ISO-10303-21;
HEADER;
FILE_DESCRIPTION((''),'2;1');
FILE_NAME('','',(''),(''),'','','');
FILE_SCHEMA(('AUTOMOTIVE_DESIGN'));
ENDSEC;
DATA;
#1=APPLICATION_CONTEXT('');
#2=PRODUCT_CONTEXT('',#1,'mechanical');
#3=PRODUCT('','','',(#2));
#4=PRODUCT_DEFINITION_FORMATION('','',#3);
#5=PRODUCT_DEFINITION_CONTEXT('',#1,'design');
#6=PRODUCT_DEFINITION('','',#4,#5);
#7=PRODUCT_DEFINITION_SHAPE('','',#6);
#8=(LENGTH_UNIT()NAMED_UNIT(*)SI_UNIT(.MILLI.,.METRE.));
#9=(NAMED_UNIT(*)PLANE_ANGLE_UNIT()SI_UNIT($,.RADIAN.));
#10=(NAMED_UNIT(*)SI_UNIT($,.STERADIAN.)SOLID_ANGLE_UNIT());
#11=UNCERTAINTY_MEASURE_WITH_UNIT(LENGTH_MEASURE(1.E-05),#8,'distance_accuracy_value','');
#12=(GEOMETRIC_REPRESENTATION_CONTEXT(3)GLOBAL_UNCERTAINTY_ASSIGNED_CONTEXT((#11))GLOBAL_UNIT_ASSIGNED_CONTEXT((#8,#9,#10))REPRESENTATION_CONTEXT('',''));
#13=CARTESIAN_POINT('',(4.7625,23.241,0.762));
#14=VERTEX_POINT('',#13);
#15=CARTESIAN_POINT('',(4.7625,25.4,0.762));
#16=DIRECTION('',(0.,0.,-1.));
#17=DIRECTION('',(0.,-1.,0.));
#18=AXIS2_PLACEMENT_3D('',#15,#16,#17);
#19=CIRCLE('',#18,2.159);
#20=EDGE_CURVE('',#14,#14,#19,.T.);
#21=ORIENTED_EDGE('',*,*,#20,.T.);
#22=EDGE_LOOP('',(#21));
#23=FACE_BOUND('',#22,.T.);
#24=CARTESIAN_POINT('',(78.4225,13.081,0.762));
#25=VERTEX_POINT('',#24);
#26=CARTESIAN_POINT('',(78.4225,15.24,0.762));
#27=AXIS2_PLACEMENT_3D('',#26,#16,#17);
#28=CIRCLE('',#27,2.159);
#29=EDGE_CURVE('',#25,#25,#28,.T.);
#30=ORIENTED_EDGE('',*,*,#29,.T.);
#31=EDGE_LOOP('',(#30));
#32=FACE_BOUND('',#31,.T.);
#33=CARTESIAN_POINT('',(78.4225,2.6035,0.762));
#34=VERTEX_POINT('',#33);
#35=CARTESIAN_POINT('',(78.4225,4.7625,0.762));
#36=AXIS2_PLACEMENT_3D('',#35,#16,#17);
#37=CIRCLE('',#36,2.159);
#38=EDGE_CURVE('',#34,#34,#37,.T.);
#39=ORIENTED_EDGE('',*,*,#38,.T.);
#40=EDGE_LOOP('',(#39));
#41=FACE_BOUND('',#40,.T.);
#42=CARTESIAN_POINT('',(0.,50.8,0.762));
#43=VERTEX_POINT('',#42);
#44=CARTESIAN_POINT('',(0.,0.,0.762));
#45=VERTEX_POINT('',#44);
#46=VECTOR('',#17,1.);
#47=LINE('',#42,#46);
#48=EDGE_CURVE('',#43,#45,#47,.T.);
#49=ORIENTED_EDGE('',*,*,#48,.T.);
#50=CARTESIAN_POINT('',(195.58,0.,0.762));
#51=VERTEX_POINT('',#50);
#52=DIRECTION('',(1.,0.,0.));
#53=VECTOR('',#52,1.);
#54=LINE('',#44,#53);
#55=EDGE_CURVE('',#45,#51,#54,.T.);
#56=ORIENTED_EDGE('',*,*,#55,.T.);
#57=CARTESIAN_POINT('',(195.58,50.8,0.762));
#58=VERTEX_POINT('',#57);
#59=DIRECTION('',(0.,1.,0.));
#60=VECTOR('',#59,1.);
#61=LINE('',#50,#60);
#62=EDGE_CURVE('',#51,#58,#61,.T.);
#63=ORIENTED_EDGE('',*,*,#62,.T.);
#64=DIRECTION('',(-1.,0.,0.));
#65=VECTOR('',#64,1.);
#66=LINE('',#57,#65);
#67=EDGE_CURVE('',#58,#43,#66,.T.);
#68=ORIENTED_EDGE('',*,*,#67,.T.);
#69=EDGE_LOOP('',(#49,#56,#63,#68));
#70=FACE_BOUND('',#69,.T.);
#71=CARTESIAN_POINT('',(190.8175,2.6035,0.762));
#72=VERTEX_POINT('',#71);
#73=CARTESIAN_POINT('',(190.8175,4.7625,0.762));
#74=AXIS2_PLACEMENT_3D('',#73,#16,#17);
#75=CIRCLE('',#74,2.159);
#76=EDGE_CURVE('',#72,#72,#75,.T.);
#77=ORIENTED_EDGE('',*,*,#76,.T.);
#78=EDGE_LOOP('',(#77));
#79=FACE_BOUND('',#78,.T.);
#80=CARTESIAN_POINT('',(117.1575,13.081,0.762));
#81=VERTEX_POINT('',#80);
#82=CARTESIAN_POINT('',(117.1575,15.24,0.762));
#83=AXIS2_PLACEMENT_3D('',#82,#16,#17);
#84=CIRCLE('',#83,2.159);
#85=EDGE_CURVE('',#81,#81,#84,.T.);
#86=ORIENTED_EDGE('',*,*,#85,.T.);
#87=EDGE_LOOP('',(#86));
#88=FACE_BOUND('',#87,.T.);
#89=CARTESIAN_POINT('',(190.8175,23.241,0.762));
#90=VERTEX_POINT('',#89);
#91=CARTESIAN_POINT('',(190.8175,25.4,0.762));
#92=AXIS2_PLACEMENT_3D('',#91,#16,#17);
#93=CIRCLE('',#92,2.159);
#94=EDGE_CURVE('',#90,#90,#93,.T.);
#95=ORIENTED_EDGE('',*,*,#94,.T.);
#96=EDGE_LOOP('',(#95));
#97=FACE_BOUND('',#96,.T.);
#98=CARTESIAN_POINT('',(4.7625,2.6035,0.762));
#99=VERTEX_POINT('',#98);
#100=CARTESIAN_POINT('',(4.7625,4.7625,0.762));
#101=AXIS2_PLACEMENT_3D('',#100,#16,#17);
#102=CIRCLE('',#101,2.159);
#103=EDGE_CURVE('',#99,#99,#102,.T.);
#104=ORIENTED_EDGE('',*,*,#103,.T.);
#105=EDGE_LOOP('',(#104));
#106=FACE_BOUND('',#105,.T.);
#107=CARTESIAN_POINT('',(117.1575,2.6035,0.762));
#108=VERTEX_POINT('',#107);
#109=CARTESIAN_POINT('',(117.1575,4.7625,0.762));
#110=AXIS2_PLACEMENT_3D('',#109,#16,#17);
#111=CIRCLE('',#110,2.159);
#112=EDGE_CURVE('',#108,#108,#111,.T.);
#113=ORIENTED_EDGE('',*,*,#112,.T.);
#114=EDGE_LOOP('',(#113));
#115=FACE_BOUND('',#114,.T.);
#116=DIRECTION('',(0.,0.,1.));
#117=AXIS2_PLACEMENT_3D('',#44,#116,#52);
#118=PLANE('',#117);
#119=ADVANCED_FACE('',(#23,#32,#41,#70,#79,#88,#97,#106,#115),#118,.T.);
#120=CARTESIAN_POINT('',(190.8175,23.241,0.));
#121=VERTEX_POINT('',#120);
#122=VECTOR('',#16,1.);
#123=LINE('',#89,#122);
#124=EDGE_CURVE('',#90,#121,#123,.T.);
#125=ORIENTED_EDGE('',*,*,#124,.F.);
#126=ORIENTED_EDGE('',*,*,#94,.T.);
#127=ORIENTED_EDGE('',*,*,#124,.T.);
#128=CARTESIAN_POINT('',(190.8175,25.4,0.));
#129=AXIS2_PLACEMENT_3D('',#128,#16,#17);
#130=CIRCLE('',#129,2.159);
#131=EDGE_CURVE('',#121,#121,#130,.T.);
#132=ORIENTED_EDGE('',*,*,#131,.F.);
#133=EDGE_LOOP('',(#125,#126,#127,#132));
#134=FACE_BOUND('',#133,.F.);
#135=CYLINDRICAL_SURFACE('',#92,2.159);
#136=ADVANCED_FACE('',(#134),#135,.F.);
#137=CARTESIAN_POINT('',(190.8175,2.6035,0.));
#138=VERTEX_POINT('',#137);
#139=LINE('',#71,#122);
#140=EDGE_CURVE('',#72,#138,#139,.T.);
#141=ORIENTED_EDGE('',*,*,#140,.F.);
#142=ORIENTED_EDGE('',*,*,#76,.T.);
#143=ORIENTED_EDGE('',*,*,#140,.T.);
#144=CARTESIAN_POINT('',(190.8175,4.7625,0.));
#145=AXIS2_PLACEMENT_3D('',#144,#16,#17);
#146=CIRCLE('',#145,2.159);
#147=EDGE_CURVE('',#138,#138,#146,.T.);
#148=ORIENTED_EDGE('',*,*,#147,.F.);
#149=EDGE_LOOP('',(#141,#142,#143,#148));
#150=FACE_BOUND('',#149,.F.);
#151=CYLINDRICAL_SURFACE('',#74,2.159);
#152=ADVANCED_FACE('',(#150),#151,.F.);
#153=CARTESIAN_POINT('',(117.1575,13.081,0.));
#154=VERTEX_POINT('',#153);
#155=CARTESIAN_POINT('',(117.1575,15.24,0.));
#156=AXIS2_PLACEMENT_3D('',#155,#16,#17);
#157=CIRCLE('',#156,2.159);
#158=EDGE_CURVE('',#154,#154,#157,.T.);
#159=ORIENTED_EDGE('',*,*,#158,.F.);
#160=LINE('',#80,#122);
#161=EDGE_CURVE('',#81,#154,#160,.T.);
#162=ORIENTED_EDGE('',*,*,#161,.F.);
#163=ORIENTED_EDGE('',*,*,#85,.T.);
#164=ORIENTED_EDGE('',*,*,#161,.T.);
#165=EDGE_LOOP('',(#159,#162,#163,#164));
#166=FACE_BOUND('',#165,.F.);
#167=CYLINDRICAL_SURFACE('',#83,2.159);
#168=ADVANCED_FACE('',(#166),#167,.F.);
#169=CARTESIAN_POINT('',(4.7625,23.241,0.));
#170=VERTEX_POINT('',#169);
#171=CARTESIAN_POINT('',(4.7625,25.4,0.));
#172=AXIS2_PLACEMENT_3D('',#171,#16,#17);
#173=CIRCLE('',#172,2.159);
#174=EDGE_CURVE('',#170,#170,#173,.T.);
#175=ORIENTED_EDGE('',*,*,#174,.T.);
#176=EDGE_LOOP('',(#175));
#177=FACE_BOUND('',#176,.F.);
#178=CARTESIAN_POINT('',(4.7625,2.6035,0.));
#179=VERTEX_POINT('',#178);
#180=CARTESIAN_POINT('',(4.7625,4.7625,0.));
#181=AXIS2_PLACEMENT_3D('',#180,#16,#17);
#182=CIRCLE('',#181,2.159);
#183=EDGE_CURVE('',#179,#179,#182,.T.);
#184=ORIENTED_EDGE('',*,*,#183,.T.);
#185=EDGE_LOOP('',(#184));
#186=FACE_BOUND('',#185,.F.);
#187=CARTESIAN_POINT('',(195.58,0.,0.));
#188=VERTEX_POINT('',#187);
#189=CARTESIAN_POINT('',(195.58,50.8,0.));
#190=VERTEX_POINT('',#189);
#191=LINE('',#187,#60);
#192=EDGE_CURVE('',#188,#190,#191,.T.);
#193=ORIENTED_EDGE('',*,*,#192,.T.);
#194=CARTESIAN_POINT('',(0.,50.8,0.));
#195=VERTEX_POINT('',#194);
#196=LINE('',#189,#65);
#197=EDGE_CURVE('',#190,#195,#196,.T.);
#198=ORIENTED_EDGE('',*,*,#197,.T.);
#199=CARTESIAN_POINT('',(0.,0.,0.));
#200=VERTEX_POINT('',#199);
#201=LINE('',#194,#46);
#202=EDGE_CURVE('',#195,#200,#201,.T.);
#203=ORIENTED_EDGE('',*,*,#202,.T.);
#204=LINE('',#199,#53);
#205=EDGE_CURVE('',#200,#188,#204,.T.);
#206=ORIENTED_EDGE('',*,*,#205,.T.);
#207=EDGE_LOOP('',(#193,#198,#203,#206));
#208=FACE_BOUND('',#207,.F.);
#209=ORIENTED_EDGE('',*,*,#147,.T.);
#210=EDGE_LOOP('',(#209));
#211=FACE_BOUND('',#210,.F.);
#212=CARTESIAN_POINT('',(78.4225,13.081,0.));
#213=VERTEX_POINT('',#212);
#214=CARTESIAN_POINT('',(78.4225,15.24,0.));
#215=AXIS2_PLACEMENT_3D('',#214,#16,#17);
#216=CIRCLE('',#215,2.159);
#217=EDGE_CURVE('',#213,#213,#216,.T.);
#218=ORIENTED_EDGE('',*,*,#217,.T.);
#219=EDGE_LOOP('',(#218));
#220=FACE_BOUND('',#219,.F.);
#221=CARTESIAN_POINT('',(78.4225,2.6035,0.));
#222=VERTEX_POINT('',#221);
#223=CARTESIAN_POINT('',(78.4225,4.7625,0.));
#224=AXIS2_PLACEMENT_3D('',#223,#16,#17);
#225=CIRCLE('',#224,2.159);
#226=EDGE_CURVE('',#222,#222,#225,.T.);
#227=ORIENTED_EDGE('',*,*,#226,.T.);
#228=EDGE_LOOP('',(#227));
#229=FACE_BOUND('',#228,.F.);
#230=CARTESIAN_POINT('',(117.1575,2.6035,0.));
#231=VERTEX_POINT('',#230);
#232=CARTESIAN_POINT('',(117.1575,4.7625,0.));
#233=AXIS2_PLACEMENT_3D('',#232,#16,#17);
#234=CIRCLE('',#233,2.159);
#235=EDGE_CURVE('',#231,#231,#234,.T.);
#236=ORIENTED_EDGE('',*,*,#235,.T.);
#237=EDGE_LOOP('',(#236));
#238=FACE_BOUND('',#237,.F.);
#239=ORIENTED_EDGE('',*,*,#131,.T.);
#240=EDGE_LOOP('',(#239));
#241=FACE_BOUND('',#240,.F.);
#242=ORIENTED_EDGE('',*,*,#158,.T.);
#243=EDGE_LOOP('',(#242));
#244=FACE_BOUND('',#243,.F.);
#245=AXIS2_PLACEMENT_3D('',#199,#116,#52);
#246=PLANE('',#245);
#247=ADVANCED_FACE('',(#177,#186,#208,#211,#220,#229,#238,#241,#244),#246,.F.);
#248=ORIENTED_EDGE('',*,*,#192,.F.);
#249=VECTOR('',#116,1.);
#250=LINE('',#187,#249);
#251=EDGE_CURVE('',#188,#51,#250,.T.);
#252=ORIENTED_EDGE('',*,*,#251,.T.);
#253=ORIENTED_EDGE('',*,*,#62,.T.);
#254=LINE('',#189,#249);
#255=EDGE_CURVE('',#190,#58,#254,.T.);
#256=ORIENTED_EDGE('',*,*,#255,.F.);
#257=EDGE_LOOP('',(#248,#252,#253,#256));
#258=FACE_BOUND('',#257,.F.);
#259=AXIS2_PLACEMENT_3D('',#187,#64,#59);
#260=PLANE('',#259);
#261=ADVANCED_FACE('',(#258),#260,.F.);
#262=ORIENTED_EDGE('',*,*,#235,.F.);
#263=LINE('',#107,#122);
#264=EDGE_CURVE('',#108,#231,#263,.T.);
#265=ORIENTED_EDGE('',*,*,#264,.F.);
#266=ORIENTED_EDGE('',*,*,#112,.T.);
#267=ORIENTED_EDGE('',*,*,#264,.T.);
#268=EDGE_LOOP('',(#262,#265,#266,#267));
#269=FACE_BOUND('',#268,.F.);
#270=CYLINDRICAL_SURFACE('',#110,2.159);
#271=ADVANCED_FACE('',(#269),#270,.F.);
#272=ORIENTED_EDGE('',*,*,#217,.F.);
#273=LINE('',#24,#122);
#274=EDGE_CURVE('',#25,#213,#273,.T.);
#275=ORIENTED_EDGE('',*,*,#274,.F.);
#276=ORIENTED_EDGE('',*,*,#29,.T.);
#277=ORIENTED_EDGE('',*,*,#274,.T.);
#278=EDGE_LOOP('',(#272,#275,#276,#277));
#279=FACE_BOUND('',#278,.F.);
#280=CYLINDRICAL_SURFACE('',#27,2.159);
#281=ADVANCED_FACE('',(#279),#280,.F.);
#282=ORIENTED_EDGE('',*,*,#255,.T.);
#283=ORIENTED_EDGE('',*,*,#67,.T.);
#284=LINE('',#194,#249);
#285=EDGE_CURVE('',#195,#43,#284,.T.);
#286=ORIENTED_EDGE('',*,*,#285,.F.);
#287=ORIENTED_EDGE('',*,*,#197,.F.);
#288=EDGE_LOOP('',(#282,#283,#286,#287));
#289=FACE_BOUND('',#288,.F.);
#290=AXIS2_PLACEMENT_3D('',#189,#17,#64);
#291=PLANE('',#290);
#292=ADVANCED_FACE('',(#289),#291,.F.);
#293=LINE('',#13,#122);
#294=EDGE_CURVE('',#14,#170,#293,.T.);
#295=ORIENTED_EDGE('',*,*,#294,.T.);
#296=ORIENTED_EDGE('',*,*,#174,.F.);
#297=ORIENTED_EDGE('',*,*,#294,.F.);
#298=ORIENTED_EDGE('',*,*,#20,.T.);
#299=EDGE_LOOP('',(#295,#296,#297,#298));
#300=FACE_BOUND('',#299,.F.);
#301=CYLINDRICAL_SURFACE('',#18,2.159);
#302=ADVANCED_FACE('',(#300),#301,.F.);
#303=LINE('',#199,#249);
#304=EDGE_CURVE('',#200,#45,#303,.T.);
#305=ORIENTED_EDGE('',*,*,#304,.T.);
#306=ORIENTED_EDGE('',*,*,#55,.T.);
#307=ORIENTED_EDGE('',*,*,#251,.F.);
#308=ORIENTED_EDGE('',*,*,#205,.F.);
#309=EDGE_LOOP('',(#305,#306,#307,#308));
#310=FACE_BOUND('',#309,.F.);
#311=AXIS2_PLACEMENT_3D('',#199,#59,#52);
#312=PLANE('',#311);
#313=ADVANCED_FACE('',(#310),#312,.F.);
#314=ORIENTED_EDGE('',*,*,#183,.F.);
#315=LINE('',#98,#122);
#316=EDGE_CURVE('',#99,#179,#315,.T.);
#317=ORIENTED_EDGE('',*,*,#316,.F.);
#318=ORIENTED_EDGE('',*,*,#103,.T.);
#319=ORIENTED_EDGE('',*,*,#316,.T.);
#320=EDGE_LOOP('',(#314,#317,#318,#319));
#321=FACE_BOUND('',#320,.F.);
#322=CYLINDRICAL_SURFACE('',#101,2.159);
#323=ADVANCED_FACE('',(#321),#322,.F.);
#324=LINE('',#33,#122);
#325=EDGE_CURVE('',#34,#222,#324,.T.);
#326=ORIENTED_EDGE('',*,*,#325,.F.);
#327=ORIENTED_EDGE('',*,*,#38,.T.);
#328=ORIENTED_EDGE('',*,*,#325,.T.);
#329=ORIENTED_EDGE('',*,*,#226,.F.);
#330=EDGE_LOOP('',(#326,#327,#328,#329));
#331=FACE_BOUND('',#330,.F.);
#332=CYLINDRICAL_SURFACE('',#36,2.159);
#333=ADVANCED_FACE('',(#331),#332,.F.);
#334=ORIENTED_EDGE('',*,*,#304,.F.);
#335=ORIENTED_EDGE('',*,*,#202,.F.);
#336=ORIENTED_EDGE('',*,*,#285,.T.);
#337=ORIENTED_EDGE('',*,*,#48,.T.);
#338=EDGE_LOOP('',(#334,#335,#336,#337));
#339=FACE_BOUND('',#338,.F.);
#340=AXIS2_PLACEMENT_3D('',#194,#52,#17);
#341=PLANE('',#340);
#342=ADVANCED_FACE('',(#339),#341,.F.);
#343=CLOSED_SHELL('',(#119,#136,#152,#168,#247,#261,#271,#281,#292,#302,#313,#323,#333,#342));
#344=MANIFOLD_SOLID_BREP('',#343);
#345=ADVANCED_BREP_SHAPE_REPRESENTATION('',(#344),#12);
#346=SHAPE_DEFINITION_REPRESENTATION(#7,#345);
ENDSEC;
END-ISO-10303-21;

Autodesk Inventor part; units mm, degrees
ref_plane "YZ Plane" through (0, 0, 0) normal (1, 0, 0) x (0, 1, 0)
ref_plane "XZ Plane" through (0, 0, 0) normal (0, 1, 0) x (-1, 0, 0)
ref_plane "XY Plane" through (0, 0, 0) normal (0, 0, 1) x (1, 0, 0)
sketch "Sketch1" plane through (0, 0, 0) normal (0, 0, 1) x (1, 0, 0)
  line L0 (0, 0) -> (195.58, 0)
  line L1 (195.58, 0) -> (195.58, 50.8)
  line L2 (195.58, 50.8) -> (0, 50.8)
  line L3 (0, 50.8) -> (0, 0)
  dimension "d0" = 195.58
  dimension "d1" = 50.8
extrude "Extrusion1" add sketch "Sketch1" along normal blind 0.762
sketch "Sketch2" plane through (0, 0, 0.762) normal (0, 0, 1) x (1, 0, 0)
  circle A0 centre (4.7625, 4.7625) radius 2.2479 projected
  circle A1 centre (78.4225, 4.7625) radius 2.2479 projected
  circle A2 centre (117.1575, 4.7625) radius 2.2479 projected
  circle A3 centre (190.8175, 4.7625) radius 2.2479 projected
hole "Hole1" at (4.7625, 4.7625, 0.762) at (78.4225, 4.7625, 0.762) at (117.1575, 4.7625, 0.762) at (190.8175, 4.7625, 0.762) direction (0, 0, -1) diameter 4.318 end through all clearance for "Flat Head Machine Screw (82)" size "#8" standard "Ansi Unified Screw Threads"
sketch "Sketch3" plane through (0, 0, 0.762) normal (0, 0, 1) x (1, 0, 0)
  line L0 (195.58, 0) -> (0, 0) projected
  point P0 (4.7625, 25.4)
  point P1 (78.4225, 15.24)
  point P2 (117.1575, 15.24)
  point P3 (190.8175, 25.4)
  dimension "d11" = 25.4
  dimension "d12" = 15.24
  dimension "d13" = 15.24
  dimension "d14" = 25.4
hole "Hole2" at (4.7625, 25.4, 0.762) at (78.4225, 15.24, 0.762) at (117.1575, 15.24, 0.762) at (190.8175, 25.4, 0.762) direction (0, 0, -1) diameter 4.318 end through all clearance for "Flat Head Machine Screw (82)" size "#8" standard "Ansi Unified Screw Threads"
properties part number "Blade" material "Steel"
